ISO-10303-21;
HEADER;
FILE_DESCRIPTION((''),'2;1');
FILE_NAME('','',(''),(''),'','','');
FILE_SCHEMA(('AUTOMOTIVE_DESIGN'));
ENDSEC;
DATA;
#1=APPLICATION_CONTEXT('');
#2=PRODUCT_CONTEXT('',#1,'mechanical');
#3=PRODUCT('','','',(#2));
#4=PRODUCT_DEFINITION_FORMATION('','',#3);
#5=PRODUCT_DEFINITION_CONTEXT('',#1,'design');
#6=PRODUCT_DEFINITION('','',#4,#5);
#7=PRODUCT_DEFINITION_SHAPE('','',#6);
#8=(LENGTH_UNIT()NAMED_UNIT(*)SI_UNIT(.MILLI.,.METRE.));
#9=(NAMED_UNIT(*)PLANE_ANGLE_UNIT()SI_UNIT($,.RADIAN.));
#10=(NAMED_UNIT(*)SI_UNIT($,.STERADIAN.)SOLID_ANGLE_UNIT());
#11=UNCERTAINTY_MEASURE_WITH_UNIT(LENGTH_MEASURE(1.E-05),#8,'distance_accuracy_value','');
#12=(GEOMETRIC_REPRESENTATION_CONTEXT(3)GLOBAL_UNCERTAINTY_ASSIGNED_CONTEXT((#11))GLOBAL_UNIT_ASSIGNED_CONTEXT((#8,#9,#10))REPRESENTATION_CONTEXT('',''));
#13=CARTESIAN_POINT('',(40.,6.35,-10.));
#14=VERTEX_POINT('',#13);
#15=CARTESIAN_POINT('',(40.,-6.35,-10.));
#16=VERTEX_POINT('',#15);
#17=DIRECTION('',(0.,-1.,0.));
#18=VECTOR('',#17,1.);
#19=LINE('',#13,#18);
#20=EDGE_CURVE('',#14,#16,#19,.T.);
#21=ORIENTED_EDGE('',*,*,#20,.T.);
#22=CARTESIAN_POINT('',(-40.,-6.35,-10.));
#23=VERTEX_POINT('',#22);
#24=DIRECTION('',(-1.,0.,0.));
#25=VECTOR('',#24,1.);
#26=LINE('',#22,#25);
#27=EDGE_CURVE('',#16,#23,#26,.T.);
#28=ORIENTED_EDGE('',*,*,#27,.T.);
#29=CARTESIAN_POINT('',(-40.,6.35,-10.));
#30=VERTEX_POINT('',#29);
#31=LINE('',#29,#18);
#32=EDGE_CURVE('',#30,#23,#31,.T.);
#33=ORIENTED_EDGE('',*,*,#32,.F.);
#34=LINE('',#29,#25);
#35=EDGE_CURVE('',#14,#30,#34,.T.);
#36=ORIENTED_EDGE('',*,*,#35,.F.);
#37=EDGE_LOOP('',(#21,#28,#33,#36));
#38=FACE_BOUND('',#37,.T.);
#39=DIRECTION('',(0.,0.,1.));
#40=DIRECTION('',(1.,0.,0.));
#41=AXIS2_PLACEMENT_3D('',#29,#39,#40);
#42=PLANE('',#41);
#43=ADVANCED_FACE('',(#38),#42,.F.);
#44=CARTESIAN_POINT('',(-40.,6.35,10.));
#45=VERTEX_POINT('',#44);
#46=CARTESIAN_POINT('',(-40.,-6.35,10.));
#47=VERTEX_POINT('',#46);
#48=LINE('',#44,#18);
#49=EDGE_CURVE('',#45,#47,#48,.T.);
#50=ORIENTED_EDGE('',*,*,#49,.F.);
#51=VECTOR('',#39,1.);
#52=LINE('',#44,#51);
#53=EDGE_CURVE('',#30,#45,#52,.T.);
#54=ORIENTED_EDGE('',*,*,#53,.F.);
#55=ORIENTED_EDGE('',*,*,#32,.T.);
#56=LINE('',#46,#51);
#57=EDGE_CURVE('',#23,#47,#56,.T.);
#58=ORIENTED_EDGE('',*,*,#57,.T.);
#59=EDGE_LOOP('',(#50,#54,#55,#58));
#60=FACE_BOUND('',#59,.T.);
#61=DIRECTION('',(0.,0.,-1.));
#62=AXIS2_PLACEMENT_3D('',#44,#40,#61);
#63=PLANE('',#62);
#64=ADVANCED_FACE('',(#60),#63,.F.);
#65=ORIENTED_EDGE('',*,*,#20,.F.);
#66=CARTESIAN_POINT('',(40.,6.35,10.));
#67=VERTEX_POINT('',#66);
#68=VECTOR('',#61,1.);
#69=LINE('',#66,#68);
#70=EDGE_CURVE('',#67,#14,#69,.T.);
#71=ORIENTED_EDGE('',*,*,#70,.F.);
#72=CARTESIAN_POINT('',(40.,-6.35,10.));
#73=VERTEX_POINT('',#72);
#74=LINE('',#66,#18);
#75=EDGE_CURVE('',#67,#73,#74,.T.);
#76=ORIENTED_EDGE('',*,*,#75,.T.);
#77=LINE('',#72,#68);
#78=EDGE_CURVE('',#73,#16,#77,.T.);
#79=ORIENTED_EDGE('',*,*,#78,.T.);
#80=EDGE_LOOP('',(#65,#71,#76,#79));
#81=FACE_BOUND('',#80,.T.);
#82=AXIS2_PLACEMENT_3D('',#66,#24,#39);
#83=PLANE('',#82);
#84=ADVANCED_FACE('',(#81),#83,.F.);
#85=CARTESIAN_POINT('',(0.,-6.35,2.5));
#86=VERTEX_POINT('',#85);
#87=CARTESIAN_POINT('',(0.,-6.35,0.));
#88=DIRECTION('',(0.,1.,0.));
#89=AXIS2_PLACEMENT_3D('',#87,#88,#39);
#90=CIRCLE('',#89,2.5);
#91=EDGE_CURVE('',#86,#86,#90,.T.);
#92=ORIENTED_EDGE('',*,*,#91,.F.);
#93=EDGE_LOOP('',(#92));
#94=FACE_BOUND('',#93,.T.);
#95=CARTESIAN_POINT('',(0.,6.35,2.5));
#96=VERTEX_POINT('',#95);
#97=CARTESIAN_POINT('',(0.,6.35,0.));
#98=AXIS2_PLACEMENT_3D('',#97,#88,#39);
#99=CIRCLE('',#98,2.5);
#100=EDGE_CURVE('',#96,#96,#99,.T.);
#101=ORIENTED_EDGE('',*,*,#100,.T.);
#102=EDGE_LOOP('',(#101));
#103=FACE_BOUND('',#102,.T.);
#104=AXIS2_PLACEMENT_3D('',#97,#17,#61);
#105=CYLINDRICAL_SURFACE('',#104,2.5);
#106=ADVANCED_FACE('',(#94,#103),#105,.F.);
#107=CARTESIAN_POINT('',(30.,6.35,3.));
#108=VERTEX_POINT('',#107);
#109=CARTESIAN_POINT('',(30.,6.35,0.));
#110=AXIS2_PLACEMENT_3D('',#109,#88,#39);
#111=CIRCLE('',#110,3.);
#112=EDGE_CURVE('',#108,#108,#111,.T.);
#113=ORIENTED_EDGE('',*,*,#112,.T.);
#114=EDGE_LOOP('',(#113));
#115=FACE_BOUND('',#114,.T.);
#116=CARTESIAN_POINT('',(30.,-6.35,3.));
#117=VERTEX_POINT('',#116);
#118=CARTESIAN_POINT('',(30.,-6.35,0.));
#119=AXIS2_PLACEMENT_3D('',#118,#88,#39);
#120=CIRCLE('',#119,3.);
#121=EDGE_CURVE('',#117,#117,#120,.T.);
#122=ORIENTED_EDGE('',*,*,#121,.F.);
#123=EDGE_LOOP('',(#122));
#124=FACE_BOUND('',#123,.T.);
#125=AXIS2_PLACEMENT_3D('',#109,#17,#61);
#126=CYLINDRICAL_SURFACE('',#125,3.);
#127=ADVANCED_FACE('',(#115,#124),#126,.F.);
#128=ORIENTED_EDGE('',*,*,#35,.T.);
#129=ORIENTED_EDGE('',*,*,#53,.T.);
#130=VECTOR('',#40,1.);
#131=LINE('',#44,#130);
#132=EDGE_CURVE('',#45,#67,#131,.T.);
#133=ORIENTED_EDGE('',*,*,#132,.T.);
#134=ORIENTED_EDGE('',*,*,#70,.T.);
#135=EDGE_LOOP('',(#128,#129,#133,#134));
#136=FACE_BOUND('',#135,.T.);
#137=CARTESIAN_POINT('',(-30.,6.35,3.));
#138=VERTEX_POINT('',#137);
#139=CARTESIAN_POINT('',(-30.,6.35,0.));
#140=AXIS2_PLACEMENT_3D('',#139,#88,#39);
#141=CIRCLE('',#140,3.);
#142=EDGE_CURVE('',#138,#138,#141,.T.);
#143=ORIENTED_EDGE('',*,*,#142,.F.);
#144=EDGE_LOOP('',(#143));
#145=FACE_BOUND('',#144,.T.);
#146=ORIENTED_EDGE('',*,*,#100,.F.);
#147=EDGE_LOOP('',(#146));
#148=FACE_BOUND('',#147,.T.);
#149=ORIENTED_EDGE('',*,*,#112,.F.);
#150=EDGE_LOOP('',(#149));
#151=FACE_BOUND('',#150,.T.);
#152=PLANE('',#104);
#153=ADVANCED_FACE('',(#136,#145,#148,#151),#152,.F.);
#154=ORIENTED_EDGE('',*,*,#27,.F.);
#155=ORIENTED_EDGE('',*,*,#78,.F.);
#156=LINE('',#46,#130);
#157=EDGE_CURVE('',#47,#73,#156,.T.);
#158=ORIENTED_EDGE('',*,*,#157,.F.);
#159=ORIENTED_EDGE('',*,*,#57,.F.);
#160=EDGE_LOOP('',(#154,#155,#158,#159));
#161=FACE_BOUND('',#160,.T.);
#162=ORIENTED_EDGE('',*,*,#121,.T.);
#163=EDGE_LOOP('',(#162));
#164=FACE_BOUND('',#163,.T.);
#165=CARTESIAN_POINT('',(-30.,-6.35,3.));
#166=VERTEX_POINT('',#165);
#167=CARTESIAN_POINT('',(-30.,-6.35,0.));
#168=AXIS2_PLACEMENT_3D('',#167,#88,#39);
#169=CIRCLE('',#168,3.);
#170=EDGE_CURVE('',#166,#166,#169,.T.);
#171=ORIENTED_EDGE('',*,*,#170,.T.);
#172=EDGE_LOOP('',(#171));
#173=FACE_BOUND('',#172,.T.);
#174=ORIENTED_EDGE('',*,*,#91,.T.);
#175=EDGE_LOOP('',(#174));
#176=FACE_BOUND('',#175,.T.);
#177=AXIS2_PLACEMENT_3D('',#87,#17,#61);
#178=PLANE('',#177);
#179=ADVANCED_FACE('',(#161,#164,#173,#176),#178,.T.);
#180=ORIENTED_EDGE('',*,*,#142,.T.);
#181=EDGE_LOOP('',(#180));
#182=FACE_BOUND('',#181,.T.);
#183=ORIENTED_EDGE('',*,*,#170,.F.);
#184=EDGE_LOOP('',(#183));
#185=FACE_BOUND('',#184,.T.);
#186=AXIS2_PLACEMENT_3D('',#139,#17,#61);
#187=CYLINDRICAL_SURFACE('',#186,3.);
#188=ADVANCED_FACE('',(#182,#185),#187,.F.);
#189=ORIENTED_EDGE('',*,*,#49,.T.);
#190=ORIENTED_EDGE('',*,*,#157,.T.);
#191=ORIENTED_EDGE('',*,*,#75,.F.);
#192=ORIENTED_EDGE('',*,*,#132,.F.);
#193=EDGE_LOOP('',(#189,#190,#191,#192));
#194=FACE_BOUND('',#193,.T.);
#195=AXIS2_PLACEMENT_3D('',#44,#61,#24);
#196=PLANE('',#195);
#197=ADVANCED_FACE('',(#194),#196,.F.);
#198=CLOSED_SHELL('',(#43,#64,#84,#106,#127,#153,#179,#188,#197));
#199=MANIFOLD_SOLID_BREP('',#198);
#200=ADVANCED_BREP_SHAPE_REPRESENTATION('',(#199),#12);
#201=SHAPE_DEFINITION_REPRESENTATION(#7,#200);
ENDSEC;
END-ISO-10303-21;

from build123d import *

# Parameters (mm, degrees)
SKETCH1_W           = 80
SKETCH1_H           = 20
SKETCH1_R           = 2.5
SKETCH1_R_2         = 3
BOSS_EXTRUDE1_DEPTH = 6.35


with BuildPart() as part:
    # Sketch1 → Boss-Extrude1 (new, symmetric)
    with BuildSketch(Plane(origin=(0, 0, 0), x_dir=(1, 0, 0), z_dir=(0, 1, 0))):
        Rectangle(SKETCH1_W, SKETCH1_H)
        with Locations(Location((0, 0, 0), (0, 0, 270))):
            Circle(SKETCH1_R, mode=Mode.SUBTRACT)
        with Locations(Location((-30, 0, 0), (0, 0, 270))):
            Circle(SKETCH1_R_2, mode=Mode.SUBTRACT)
        with Locations(Location((30, 0, 0), (0, 0, 270))):
            Circle(SKETCH1_R_2, mode=Mode.SUBTRACT)
    extrude(amount=BOSS_EXTRUDE1_DEPTH, both=True)


solid = part.part
